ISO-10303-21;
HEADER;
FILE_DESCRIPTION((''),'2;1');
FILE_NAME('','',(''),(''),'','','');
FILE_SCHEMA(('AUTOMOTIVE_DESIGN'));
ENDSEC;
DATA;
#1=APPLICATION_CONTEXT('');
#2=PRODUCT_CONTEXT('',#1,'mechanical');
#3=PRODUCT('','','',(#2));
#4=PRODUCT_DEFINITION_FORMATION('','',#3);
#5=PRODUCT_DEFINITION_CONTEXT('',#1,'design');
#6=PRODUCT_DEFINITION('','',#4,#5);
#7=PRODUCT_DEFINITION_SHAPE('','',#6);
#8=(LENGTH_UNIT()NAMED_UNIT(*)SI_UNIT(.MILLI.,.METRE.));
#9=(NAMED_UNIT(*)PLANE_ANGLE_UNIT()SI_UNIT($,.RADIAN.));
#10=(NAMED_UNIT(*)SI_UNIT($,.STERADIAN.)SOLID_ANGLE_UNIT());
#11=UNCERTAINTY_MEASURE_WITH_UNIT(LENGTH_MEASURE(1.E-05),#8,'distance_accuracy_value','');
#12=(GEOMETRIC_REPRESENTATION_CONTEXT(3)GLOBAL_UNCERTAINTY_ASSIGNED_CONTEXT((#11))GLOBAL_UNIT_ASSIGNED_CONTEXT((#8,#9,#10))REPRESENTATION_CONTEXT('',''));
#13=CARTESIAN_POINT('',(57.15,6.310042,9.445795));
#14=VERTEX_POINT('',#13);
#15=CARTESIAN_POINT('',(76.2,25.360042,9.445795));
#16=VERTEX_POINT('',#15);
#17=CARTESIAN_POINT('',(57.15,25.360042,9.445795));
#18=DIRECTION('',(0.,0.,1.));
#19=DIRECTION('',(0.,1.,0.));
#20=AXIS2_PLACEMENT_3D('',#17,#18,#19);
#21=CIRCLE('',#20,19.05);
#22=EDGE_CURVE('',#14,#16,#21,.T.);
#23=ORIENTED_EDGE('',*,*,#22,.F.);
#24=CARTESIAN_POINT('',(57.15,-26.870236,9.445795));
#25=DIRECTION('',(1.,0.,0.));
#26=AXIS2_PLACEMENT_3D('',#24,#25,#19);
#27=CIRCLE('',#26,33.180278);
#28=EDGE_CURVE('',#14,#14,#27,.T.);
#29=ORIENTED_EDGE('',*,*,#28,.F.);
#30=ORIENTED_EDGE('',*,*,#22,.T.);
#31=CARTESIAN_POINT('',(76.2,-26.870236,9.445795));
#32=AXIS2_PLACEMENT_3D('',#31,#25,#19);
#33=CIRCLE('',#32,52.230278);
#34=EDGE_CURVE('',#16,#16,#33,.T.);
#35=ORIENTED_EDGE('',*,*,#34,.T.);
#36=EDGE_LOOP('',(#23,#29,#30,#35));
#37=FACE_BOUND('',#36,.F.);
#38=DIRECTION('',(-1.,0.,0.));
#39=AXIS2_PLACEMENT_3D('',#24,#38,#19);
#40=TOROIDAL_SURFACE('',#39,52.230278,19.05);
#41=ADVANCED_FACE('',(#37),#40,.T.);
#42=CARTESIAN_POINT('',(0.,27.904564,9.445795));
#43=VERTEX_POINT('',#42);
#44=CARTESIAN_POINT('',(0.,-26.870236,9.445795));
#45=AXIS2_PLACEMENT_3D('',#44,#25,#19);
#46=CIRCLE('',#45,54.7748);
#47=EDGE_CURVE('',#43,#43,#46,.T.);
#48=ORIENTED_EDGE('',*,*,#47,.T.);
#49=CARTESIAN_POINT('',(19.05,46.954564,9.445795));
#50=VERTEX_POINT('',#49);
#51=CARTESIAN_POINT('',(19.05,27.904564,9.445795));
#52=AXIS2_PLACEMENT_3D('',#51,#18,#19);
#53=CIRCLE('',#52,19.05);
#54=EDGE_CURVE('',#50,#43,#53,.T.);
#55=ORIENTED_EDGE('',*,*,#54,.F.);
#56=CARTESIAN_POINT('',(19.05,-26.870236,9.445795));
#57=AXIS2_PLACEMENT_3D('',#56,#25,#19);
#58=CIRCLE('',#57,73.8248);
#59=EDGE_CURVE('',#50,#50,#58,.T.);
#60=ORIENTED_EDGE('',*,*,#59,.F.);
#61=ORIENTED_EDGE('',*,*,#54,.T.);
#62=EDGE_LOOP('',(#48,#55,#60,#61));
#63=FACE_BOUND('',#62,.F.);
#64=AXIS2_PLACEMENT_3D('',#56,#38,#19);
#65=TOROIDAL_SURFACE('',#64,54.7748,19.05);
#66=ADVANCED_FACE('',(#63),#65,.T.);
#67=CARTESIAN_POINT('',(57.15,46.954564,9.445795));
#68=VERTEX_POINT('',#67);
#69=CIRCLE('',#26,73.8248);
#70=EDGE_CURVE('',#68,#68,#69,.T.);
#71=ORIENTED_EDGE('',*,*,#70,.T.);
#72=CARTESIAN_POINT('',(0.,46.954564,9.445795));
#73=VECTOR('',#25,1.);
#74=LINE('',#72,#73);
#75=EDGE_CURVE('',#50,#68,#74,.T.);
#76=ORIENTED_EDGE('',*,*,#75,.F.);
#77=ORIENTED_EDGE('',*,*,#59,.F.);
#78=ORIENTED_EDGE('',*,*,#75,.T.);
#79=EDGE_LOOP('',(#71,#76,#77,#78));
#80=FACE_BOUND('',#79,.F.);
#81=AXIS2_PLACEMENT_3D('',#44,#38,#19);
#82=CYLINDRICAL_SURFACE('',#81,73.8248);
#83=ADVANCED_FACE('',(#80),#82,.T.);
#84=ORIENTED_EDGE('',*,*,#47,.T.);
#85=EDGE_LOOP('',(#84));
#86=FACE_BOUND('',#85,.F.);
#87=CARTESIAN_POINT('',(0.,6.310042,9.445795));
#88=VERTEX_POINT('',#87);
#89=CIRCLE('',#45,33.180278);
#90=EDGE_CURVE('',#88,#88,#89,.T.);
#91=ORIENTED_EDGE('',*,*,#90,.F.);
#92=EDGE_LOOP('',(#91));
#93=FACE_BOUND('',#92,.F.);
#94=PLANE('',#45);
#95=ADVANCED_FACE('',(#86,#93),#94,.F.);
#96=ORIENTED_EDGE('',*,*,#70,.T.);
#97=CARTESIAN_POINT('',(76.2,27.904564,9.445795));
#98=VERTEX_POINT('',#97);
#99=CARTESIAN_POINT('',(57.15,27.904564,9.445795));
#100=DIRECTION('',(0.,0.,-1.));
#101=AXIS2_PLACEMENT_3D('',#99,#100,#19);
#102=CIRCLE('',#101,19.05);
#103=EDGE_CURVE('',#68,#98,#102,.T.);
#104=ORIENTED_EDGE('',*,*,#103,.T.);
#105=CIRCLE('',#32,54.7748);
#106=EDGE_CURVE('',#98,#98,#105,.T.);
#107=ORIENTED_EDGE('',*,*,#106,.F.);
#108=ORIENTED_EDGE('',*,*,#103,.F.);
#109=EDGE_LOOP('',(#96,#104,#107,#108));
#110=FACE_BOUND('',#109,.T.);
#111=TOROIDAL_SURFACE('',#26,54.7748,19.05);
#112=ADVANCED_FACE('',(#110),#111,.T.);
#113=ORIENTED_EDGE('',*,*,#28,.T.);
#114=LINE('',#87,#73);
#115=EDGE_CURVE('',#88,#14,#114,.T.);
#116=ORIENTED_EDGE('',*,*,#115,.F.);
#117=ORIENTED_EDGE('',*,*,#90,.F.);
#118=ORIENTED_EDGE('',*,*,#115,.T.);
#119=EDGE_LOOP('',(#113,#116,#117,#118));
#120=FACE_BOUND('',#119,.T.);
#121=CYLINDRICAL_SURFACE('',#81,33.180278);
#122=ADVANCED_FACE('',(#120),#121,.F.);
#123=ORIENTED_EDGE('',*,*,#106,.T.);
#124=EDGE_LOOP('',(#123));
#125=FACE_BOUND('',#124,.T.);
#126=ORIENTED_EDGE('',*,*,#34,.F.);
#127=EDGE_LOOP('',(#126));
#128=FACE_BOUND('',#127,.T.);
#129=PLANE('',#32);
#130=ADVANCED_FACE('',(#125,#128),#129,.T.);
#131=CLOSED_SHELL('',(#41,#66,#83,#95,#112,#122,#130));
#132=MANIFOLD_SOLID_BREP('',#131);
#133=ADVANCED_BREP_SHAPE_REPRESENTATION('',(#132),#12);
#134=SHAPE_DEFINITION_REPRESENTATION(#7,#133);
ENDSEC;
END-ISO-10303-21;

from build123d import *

# Parameters (mm, degrees)
F0_R     = 73.8248
F0_R_2   = 33.180278
F1_DEPTH = 76.2
F2_R     = 19.05


with BuildPart() as f1:
    # F0 (on Right) → F1 (new body)
    with BuildSketch(Plane.YZ):
        with Locations((-26.870236, 9.445795)):
            Circle(F0_R)
        with Locations((-26.870236, 9.445795)):
            Circle(F0_R_2, mode=Mode.SUBTRACT)
    extrude(amount=F1_DEPTH)

    # F2
    f2_edges = [f1.edges().sort_by_distance(p)[0] for p in [
        (38.1, 46.954564, 9.445795),
        (0, -100.695036, 9.445795),
        (76.2, -100.695036, 9.445795),
        (76.2, -60.050514, 9.445795),
    ]]
    fillet(f2_edges, radius=F2_R)


solid = f1.part
